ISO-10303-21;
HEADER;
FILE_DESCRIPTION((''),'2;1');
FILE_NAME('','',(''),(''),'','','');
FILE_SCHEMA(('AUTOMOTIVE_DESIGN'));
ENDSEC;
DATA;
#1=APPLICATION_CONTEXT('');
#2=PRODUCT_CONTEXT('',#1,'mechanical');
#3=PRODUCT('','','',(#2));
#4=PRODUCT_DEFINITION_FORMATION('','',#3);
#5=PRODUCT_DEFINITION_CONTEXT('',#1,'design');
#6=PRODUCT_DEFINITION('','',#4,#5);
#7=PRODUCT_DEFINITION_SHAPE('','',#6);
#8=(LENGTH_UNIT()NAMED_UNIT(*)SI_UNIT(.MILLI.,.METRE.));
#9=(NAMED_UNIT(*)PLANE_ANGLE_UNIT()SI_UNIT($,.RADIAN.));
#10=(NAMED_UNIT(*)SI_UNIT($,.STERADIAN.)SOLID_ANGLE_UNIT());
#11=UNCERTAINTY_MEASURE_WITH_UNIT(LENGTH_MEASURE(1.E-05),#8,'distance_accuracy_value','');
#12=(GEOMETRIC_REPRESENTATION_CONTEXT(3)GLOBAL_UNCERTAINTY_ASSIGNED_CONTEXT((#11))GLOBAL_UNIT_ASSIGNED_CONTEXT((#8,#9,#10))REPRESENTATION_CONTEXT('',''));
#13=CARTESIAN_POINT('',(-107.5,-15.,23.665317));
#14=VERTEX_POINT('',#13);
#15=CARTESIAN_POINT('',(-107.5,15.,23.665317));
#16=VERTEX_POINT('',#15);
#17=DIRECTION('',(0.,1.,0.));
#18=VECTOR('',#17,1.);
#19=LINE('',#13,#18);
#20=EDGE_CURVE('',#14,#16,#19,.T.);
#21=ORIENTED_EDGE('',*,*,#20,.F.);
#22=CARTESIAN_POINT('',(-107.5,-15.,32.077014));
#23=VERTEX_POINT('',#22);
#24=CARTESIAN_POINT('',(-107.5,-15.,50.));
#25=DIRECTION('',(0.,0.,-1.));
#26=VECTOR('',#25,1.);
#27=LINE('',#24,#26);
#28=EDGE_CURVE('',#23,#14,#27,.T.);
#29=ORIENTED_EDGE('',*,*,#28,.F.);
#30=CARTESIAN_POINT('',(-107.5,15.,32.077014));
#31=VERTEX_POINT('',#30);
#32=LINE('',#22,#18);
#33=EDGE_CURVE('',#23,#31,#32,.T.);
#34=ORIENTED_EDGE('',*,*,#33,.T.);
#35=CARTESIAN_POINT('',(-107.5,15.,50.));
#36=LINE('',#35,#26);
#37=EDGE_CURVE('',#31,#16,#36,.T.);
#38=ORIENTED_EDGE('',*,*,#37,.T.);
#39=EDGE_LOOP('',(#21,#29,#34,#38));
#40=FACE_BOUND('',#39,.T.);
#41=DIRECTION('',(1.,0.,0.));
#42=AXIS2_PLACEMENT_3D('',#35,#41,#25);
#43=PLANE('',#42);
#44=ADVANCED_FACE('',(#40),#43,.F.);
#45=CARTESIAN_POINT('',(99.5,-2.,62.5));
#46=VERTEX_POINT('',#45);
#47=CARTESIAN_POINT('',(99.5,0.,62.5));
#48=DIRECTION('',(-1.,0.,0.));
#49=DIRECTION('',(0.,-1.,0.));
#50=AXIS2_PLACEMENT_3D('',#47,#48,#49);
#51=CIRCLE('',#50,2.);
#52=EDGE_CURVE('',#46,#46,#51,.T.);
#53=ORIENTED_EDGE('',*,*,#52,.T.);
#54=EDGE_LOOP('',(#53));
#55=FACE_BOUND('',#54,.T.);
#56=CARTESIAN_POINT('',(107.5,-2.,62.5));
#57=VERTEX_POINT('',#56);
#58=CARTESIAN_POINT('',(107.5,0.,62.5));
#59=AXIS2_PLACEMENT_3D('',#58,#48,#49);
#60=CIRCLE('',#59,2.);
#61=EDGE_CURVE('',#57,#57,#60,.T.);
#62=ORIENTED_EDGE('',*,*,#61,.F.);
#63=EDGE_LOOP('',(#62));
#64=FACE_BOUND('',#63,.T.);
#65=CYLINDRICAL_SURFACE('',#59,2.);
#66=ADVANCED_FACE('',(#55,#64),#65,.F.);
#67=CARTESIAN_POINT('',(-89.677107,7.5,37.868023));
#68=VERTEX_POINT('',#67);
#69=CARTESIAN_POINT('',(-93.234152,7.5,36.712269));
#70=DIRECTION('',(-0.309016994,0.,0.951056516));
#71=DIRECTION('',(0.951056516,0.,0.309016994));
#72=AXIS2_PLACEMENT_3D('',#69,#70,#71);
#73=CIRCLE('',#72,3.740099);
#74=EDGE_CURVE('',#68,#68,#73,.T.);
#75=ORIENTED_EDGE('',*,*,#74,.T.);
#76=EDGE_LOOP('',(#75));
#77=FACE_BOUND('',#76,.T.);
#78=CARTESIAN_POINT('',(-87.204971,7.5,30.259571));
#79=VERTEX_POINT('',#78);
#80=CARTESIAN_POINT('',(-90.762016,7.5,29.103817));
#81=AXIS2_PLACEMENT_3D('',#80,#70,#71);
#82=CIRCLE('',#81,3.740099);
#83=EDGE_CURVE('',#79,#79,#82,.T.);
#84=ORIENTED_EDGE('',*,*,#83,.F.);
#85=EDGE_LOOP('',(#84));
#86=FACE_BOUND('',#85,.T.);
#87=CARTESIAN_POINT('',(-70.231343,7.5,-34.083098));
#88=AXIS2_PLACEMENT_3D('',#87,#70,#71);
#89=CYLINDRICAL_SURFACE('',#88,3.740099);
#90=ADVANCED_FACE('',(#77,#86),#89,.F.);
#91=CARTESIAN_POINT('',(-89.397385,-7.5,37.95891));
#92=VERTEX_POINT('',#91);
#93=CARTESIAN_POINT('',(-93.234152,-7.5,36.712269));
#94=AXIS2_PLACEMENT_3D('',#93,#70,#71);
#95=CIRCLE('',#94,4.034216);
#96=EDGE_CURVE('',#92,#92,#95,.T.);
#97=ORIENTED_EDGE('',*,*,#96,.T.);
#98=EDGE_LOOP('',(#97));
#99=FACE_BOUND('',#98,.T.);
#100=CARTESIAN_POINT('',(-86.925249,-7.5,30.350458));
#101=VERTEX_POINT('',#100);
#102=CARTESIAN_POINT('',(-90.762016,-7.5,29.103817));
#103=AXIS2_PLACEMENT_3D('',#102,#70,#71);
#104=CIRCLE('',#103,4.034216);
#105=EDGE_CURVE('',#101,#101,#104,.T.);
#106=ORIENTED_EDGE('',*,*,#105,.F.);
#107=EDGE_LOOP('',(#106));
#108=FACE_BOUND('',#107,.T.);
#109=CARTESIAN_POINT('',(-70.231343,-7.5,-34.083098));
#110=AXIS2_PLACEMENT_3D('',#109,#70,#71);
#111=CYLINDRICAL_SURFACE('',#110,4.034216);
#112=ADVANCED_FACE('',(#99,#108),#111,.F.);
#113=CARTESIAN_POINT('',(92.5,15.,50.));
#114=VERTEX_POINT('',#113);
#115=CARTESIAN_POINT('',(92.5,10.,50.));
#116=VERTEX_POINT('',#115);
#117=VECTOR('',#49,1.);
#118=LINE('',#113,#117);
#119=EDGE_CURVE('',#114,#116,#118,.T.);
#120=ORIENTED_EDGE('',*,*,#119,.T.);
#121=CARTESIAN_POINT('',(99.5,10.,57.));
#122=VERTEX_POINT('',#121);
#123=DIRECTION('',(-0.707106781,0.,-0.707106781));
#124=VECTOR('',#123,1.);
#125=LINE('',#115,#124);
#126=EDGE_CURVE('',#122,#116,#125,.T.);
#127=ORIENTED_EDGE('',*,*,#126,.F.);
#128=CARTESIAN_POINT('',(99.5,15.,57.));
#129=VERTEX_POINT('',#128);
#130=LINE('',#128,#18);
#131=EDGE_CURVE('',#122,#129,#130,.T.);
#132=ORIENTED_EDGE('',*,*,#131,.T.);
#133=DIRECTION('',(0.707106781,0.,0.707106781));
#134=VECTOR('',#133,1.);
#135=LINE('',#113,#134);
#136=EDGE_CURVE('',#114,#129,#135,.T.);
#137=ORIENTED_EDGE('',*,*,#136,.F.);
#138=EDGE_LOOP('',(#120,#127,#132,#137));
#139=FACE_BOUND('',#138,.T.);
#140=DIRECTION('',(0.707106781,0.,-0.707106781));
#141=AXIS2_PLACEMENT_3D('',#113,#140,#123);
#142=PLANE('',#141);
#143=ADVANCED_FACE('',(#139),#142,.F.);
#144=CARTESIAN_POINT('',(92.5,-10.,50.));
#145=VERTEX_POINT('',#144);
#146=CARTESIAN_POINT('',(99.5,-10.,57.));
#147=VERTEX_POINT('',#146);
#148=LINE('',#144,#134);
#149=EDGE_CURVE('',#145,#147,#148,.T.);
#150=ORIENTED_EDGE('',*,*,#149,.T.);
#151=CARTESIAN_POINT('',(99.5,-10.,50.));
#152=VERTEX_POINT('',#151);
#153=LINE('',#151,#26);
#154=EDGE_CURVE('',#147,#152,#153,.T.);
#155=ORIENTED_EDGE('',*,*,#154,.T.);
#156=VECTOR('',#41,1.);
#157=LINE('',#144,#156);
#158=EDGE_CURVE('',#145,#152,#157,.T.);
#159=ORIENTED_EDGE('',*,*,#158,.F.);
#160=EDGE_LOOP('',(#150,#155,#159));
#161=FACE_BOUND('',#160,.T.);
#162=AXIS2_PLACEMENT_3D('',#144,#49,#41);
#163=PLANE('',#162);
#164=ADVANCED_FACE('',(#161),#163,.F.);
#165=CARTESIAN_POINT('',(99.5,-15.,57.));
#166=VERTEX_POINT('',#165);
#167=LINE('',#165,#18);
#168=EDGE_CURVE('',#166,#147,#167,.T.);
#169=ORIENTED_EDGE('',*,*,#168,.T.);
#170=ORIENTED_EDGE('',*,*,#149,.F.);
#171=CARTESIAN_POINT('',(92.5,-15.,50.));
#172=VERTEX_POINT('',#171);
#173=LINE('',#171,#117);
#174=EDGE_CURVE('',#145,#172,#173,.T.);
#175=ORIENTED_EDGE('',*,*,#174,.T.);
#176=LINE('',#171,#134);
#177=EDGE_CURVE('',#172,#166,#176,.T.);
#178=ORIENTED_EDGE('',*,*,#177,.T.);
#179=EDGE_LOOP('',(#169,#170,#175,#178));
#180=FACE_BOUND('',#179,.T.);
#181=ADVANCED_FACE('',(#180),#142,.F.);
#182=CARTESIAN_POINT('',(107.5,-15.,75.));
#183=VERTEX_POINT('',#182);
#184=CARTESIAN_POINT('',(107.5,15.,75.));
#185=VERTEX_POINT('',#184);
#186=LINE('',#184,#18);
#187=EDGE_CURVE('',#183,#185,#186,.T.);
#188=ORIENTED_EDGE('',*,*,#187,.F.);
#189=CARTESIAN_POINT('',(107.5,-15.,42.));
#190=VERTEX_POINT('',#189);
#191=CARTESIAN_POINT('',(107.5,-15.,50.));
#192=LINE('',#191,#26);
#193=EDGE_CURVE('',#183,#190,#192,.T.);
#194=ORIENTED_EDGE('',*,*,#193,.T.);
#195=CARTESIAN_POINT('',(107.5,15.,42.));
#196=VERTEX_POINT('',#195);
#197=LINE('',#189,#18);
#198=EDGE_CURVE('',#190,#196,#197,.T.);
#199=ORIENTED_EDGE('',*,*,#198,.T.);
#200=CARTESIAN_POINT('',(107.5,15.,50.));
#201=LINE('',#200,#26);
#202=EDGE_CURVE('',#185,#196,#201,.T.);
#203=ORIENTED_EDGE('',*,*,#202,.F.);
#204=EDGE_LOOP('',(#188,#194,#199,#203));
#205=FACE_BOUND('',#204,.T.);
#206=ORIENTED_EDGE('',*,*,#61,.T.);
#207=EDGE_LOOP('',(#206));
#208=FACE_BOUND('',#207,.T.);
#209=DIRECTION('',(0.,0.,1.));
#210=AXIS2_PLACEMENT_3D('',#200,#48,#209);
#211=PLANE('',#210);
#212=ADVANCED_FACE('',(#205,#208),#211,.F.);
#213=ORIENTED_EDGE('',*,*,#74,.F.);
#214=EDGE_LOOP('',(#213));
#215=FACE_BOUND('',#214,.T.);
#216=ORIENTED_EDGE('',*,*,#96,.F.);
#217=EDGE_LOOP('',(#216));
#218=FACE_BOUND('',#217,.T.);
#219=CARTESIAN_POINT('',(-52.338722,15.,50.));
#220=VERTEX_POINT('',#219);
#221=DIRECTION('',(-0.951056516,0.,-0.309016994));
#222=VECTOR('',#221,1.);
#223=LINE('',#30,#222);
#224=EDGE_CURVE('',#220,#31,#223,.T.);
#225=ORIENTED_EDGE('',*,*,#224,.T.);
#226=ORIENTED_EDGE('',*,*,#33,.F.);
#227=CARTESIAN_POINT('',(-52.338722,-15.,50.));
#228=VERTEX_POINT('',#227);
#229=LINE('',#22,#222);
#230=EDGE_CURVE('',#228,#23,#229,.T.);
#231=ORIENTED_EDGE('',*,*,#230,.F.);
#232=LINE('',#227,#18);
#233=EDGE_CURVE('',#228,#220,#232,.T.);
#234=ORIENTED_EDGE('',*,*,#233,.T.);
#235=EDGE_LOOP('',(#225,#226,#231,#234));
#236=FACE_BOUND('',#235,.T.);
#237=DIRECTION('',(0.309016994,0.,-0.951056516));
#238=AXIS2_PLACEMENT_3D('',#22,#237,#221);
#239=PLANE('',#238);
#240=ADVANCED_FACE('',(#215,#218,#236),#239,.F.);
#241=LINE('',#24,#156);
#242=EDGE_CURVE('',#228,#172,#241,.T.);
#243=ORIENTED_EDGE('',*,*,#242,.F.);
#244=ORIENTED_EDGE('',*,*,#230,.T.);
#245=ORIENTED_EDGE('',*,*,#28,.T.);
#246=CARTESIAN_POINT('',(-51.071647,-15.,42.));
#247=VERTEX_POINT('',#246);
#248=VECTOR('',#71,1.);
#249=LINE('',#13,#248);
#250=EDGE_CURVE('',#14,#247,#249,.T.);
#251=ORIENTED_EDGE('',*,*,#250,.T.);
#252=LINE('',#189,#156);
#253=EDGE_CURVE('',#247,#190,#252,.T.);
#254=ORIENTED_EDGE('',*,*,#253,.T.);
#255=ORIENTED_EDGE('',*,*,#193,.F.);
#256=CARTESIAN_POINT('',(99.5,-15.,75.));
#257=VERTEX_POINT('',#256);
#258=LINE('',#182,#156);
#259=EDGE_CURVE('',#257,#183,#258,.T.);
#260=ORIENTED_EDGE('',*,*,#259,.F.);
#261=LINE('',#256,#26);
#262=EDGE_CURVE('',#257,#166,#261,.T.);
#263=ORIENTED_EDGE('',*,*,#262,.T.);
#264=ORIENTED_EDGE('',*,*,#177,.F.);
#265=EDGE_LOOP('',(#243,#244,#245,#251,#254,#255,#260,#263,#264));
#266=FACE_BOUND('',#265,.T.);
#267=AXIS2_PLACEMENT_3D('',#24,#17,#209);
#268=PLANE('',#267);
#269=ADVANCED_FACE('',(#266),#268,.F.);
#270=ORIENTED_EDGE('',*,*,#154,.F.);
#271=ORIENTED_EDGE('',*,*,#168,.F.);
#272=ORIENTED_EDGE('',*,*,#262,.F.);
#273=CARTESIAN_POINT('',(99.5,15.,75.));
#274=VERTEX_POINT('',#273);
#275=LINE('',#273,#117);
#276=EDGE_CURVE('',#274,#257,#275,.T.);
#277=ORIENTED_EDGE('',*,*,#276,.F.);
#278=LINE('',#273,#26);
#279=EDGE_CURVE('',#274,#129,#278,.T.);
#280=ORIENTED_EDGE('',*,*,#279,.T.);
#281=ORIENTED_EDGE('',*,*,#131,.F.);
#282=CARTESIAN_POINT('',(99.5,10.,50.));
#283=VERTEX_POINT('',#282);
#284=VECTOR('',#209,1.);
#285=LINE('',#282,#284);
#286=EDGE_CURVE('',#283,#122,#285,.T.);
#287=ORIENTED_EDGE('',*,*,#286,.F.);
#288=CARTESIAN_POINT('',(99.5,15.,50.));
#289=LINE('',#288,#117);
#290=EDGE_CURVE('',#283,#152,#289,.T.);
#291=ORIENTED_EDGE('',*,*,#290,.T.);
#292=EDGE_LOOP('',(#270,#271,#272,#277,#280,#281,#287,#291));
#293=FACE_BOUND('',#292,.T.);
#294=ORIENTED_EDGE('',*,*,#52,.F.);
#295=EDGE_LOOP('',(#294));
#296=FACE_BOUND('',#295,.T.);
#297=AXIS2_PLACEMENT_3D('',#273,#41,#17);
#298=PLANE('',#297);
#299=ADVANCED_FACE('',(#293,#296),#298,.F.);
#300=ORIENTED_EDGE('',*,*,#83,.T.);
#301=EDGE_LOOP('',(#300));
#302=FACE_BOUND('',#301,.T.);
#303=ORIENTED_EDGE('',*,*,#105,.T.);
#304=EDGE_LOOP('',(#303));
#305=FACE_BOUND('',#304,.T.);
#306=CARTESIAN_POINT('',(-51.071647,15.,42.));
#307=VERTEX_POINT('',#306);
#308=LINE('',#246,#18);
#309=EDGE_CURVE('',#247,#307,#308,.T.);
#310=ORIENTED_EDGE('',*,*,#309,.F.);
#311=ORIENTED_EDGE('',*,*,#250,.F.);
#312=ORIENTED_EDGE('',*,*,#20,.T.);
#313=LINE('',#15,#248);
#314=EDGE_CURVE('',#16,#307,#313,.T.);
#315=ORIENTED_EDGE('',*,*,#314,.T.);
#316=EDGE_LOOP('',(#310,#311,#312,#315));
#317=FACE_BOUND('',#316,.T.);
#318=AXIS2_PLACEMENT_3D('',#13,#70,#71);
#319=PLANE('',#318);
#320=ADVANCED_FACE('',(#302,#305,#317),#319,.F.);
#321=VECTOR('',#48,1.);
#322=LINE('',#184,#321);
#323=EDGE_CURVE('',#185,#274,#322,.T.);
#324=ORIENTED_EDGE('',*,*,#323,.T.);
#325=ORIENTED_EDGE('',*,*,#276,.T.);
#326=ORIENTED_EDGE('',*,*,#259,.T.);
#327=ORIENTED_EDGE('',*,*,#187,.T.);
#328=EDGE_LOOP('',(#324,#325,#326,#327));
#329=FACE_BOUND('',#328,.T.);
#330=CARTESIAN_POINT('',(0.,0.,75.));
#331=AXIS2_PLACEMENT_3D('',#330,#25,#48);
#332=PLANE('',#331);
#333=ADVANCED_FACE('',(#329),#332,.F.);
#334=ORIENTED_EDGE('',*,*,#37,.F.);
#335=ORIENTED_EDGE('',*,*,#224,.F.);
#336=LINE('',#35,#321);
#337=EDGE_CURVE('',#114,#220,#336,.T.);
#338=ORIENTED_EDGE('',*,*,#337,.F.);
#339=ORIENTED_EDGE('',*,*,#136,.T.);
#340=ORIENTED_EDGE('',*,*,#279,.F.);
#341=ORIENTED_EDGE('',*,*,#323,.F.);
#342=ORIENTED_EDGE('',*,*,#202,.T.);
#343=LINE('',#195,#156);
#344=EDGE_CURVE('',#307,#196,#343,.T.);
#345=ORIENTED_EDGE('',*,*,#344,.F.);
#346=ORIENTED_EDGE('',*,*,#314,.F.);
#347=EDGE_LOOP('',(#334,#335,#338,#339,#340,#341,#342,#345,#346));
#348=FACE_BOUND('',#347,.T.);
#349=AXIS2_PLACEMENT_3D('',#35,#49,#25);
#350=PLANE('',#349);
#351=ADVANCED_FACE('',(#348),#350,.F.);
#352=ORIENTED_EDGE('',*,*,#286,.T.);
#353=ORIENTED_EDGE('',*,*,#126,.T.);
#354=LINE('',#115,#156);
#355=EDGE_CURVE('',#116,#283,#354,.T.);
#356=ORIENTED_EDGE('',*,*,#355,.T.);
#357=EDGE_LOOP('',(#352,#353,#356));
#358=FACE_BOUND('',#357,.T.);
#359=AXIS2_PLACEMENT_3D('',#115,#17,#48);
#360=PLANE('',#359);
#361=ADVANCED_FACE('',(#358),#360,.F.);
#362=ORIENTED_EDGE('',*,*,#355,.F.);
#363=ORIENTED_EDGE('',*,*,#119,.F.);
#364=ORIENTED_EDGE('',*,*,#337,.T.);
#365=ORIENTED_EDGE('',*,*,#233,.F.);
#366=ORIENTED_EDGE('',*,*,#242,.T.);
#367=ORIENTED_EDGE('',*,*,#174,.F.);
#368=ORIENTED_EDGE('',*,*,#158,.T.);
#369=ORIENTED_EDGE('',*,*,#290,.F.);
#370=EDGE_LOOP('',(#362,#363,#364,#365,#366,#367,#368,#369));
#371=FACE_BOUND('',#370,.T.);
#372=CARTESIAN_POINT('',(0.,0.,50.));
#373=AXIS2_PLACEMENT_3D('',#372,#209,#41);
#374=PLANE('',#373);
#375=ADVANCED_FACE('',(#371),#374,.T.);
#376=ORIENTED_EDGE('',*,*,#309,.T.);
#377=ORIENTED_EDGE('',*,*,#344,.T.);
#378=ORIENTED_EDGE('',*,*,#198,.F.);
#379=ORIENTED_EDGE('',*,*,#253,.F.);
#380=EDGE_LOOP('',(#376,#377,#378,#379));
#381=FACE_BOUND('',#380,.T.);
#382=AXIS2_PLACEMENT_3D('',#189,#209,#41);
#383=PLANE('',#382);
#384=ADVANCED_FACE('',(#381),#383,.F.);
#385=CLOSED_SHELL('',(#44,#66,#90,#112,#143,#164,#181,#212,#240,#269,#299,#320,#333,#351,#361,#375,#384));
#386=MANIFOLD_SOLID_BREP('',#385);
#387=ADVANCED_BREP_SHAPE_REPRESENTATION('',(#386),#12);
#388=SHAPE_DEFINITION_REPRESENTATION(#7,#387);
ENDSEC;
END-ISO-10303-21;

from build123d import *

# Parameters (mm, degrees)
SKETCH5_W           = 215
SKETCH5_H           = 30
BOSS_EXTRUDE3_DEPTH = 50
CUT_EXTRUDE2_DEPTH  = 123.295748086
CUT_EXTRUDE3_DEPTH  = 123.295748086
SKETCH8_W           = 8
SKETCH8_H           = 30
BOSS_EXTRUDE4_DEPTH = 25
SKETCH9_W           = 7
SKETCH9_H           = 5
BOSS_EXTRUDE5_DEPTH = 7
CUT_EXTRUDE4_DEPTH  = 135.466538589
SKETCH11_R          = 2
CUT_EXTRUDE5_DEPTH  = 221.678499179
SKETCH12_R          = 3.740099061
SKETCH12_R_2        = 4.034215751
CUT_EXTRUDE6_DEPTH  = 134.295377202


with BuildPart() as part:
    # Sketch5 → Boss-Extrude3 (new body)
    with BuildSketch(Plane.XY):
        Rectangle(SKETCH5_W, SKETCH5_H)
    extrude(amount=BOSS_EXTRUDE3_DEPTH)

    # Sketch6 → Cut-Extrude2 (cut, through all)
    with BuildSketch(Plane(origin=(0, 15, 0), x_dir=(1, 0, 0), z_dir=(0, 1, 0))):
        Polygon((-107.5, -32.077014326), (-52.338722055, -50), (-107.5, -50), align=None)
    extrude(amount=-CUT_EXTRUDE2_DEPTH, mode=Mode.SUBTRACT)

    # Sketch7 → Cut-Extrude3 (cut, through all)
    with BuildSketch(Plane(origin=(0, 15, 0), x_dir=(1, 0, 0), z_dir=(0, 1, 0))):
        Polygon((107.5, -42), (-51.071646532, -42), (-107.5, -23.665316532), (-107.5, 0), (107.5, 0), align=None)
    extrude(amount=-CUT_EXTRUDE3_DEPTH, mode=Mode.SUBTRACT)

    # Sketch8 → Boss-Extrude4 (add)
    with BuildSketch(Plane.XY.offset(50)):
        with Locations((103.5, 0)):
            Rectangle(SKETCH8_W, SKETCH8_H)
    extrude(amount=BOSS_EXTRUDE4_DEPTH)

    # Sketch9 → Boss-Extrude5 (add)
    with BuildSketch(Plane.ZY.offset(-99.5)):
        with Locations((53.5, -12.5)):
            Rectangle(SKETCH9_W, SKETCH9_H)
        with Locations((53.5, 12.5)):
            Rectangle(SKETCH9_W, SKETCH9_H)
    extrude(amount=BOSS_EXTRUDE5_DEPTH)

    # Sketch10 → Cut-Extrude4 (cut, through all)
    with BuildSketch(Plane.XZ.offset(15)):
        Polygon((92.5, 50), (99.5, 57), (92.5, 57), align=None)
    extrude(amount=-CUT_EXTRUDE4_DEPTH, mode=Mode.SUBTRACT)

    # Sketch11 → Cut-Extrude5 (cut, through all)
    with BuildSketch(Plane.ZY.offset(-99.5)):
        with Locations(Location((62.5, 0, 0), (0, 0, 270))):
            Circle(SKETCH11_R)
    extrude(amount=-CUT_EXTRUDE5_DEPTH, mode=Mode.SUBTRACT)

    # Sketch12 → Cut-Extrude6 (cut, through all)
    with BuildSketch(Plane(origin=(-19.692534532, 0, 60.607389333), x_dir=(0.9510565162951554, 0, 0.3090169943749418), z_dir=(-0.3090169943749418, 0, 0.9510565162951554))):
        with Locations((-77.326232946, 7.5)):
            Circle(SKETCH12_R)
        with Locations((-77.326232946, -7.5)):
            Circle(SKETCH12_R_2)
    extrude(amount=-CUT_EXTRUDE6_DEPTH, mode=Mode.SUBTRACT)


solid = part.part
